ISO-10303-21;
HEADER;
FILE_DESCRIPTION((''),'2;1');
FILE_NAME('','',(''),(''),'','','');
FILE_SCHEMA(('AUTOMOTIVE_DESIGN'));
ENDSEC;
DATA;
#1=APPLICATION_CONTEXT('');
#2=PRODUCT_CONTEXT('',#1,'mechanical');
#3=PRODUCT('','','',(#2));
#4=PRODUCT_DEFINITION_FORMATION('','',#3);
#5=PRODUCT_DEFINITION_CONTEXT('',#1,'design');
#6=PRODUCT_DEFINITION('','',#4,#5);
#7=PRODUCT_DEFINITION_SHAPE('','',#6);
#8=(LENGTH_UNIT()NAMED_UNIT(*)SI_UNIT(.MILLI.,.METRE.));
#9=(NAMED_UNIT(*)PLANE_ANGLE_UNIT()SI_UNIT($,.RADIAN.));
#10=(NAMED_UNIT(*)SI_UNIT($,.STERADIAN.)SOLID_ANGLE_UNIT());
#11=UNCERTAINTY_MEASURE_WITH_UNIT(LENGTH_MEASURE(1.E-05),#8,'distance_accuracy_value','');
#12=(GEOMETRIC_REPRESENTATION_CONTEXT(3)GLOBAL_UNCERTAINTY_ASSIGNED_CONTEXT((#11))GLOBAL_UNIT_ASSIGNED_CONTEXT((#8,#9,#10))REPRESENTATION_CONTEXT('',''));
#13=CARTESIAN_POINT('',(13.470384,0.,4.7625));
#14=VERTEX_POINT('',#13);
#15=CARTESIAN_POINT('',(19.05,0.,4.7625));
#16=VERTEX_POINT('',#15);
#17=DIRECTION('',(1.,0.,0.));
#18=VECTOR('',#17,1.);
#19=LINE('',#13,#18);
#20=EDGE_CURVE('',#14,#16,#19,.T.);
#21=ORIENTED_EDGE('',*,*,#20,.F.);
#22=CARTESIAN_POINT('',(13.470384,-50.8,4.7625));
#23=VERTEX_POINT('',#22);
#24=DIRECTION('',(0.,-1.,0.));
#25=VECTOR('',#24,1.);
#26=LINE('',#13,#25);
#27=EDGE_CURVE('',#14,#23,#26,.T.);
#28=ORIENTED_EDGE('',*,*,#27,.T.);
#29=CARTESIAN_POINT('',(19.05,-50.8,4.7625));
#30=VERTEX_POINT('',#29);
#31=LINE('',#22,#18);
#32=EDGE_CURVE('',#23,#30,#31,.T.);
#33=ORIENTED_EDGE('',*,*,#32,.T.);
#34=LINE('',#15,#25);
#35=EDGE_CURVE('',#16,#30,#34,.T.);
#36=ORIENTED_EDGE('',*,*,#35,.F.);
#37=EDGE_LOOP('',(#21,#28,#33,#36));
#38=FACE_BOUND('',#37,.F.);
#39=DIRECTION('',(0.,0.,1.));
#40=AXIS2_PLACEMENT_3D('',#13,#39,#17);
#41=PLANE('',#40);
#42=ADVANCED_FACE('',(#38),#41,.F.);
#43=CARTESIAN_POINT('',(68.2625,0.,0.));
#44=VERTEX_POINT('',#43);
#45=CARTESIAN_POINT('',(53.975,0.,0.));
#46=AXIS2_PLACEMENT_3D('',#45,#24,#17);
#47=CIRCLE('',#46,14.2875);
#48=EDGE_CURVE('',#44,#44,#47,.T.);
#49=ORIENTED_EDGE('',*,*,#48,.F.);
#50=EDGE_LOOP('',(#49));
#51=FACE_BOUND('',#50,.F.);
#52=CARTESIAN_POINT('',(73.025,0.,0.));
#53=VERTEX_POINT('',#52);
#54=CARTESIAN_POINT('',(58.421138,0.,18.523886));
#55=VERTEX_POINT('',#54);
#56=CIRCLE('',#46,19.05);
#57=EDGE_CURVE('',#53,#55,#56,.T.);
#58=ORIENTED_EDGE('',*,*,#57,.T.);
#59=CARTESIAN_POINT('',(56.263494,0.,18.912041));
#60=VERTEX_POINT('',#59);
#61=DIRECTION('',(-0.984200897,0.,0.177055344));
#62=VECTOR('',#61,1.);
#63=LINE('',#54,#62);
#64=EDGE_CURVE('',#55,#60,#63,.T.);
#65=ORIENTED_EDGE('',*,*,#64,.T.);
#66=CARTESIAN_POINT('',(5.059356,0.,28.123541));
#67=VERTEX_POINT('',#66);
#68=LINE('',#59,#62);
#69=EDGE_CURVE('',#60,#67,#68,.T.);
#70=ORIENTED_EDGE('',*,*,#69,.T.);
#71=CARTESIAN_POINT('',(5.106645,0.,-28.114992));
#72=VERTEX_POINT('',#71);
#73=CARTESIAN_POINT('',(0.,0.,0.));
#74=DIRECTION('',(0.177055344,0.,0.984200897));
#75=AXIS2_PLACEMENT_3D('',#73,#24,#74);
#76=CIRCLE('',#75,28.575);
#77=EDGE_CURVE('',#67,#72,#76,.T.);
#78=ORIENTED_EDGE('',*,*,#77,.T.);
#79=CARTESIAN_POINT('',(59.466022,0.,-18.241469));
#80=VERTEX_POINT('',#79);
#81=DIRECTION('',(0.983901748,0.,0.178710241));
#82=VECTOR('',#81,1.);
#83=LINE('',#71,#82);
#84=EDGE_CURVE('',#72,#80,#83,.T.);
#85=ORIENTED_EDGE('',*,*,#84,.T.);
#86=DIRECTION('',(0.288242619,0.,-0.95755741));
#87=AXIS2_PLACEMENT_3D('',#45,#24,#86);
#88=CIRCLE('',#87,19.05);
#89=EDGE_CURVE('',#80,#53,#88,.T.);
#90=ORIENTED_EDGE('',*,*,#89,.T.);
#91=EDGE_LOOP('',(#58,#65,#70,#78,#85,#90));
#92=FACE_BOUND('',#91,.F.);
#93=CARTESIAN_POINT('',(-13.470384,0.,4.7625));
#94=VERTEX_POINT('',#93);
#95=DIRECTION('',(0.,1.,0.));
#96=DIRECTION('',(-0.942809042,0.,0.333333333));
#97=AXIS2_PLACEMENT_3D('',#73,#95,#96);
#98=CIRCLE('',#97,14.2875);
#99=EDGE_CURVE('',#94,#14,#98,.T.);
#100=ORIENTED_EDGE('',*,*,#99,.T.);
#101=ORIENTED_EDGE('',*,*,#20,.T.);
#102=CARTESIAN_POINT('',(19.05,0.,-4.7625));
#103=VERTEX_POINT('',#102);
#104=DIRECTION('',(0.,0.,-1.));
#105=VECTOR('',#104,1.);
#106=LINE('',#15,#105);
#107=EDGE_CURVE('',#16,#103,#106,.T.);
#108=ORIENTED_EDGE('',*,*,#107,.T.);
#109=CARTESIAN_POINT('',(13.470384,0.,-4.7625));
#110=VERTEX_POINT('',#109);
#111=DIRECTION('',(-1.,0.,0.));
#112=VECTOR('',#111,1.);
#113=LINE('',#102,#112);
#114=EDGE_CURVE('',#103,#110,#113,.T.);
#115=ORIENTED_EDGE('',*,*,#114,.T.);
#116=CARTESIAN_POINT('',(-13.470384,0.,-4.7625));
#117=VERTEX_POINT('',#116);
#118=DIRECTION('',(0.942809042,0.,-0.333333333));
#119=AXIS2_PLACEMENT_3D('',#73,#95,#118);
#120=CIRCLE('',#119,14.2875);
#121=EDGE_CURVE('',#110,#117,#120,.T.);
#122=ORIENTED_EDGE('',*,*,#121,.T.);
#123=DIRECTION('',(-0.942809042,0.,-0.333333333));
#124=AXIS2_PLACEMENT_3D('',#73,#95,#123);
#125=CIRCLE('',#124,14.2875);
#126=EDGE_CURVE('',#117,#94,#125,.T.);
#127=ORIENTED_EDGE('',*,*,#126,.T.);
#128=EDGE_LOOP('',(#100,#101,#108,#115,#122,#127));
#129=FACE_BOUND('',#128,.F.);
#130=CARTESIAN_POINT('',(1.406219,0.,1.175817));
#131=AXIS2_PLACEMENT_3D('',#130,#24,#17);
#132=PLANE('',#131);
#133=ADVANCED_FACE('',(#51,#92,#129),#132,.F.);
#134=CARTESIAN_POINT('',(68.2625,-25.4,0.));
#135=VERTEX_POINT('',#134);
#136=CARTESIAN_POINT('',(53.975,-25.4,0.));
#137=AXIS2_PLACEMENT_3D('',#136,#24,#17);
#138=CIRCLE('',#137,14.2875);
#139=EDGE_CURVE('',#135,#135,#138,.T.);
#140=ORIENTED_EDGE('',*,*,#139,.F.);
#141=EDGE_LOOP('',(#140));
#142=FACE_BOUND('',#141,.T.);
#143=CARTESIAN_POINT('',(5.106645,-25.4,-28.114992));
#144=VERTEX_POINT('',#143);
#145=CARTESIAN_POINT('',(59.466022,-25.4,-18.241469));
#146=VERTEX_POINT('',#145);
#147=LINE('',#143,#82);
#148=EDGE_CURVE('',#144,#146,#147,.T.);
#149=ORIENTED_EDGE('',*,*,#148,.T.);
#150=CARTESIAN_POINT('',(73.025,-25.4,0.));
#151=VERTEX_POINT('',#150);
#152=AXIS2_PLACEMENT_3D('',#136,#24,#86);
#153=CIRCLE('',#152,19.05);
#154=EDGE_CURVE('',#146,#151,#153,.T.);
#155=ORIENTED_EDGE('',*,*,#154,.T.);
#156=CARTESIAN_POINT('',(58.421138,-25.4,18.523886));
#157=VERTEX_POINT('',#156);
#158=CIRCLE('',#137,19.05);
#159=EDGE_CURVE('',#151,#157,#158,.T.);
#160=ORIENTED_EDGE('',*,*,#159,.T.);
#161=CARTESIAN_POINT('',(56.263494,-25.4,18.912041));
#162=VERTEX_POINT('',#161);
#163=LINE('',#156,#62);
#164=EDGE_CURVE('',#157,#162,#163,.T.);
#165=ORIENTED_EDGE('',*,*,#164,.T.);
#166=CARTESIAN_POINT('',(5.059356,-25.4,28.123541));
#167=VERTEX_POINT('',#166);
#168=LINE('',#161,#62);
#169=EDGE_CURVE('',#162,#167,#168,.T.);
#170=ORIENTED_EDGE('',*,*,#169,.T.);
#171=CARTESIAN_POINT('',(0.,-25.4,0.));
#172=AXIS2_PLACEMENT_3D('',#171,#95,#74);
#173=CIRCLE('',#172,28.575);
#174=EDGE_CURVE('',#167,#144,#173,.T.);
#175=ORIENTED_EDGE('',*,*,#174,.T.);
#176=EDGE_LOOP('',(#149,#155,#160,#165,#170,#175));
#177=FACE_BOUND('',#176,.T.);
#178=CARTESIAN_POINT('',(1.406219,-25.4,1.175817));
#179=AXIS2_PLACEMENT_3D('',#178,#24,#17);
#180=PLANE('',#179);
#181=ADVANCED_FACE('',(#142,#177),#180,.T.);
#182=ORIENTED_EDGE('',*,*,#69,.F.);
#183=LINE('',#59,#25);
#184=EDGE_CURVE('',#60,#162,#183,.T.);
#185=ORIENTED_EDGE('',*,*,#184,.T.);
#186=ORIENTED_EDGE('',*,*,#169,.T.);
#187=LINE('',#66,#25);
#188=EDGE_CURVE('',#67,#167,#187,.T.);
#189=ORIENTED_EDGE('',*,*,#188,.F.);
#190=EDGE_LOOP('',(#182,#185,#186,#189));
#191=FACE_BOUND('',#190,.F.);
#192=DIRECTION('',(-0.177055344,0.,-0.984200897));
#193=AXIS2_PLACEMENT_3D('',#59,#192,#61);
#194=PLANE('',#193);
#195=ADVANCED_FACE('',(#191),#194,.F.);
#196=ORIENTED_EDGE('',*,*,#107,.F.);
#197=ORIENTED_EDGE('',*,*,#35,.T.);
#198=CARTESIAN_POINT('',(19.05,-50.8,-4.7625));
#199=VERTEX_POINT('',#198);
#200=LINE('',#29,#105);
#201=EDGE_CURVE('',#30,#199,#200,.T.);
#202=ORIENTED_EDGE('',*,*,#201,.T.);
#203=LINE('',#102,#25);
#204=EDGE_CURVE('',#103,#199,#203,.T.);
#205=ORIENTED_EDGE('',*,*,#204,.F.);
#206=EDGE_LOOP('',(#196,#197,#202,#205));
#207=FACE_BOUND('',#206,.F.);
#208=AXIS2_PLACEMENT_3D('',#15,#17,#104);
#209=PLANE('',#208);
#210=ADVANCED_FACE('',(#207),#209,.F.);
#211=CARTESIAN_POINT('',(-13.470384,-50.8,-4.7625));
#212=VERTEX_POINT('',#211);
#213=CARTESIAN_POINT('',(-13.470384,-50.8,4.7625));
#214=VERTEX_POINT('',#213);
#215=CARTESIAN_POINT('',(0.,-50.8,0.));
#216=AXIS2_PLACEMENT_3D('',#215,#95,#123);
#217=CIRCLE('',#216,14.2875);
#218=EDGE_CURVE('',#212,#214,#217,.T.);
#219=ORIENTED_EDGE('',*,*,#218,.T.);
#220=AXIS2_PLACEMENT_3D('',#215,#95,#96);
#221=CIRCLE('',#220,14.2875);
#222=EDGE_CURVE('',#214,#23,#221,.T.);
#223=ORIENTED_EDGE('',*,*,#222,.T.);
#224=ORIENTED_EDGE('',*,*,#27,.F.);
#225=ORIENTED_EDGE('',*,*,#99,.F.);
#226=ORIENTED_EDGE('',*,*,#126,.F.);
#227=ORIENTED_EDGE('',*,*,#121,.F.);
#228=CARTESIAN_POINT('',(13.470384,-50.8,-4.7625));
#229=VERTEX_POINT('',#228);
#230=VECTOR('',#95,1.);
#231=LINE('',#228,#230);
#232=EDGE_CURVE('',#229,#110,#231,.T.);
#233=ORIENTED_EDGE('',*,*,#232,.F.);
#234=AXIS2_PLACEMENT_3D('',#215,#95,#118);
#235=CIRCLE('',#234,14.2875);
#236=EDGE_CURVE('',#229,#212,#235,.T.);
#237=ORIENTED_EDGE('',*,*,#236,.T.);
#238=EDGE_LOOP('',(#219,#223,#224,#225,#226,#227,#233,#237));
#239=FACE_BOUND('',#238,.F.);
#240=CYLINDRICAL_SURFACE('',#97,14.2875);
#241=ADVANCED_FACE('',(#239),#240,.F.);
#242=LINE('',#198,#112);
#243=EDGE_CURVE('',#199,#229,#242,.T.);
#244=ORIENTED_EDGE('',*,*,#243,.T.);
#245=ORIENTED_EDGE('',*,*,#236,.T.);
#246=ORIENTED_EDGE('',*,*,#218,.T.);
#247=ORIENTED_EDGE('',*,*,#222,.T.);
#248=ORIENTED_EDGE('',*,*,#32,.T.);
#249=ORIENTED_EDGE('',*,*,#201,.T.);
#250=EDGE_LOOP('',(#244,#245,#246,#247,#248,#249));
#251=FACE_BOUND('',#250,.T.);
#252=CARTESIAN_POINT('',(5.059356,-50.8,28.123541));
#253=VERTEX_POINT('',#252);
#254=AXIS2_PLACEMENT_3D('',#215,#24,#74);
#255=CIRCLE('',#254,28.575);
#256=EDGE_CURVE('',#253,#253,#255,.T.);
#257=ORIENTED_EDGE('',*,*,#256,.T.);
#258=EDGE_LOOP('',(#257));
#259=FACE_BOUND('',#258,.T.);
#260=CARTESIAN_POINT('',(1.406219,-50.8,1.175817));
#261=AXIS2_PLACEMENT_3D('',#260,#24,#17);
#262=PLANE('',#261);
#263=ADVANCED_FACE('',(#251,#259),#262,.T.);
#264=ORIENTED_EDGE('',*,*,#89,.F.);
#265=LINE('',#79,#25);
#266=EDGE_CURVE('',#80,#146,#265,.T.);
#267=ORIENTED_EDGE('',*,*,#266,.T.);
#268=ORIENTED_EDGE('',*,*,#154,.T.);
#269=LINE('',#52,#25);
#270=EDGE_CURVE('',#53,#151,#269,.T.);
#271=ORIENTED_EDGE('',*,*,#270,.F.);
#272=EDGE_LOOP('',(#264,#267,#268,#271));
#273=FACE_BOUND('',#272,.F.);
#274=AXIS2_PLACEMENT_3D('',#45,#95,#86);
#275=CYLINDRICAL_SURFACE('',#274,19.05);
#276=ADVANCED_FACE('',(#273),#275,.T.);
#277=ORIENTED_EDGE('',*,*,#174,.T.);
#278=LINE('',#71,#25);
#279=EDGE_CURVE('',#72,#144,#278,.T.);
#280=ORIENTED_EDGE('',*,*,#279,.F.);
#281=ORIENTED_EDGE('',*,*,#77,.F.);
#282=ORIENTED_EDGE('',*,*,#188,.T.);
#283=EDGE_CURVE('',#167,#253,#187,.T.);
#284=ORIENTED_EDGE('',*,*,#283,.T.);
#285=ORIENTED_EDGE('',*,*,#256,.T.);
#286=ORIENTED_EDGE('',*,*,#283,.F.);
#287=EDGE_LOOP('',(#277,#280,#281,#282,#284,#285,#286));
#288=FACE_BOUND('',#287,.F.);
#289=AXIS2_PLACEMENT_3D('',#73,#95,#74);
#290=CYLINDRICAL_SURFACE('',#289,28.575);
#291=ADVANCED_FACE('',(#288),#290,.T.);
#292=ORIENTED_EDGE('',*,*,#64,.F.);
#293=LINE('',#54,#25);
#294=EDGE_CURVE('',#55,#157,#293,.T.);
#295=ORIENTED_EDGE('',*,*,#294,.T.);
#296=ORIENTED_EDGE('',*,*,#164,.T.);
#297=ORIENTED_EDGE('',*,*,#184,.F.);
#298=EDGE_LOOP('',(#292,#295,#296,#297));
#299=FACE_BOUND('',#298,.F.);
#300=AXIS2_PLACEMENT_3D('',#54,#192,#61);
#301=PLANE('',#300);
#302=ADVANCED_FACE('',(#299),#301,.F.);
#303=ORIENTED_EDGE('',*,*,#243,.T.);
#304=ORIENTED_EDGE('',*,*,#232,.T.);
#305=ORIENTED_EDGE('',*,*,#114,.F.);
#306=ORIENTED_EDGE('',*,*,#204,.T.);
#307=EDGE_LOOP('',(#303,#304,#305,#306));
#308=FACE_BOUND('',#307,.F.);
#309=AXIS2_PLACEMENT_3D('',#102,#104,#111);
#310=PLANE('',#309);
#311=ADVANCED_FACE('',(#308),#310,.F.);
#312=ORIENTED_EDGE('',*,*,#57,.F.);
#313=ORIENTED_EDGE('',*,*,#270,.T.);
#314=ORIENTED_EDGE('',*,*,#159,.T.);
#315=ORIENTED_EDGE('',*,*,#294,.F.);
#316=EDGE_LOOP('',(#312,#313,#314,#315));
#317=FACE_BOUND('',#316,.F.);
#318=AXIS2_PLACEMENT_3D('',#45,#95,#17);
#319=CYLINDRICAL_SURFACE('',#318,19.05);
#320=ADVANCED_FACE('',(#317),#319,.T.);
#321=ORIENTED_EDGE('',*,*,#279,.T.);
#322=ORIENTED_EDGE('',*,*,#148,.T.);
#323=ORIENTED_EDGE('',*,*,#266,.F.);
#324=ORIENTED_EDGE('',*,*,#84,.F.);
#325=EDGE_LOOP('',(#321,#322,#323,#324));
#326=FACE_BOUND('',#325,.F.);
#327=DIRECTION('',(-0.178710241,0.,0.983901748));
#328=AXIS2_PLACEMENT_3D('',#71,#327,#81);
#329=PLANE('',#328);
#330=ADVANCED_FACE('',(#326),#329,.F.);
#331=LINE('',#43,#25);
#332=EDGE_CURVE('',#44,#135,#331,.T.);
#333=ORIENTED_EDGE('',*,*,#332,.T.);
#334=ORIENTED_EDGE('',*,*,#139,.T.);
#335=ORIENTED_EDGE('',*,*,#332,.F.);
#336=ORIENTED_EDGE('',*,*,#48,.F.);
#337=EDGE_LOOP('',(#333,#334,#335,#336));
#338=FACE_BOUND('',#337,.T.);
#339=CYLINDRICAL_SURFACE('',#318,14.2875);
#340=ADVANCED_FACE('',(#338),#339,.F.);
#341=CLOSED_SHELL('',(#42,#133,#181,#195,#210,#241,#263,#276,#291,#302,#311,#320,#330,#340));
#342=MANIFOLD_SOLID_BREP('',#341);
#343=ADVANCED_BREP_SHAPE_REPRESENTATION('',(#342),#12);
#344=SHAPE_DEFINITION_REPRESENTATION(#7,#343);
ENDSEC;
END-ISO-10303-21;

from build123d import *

# Parameters (mm, degrees)
F0_R     = 14.2875
F1_DEPTH = 25.4
F2_DEPTH = 50.8


with BuildPart() as f1:
    # F0 (on Front) → F1 (new body)
    with BuildSketch(Plane.XZ):
        with BuildLine():
            ThreePointArc((5.1066451383, -28.1149924494), (21.9368754592, -18.3113112607), (28.575, 0))
            ThreePointArc((28.575, 0), (21.9214704761, 18.3297506029), (5.059356454, 28.1235406247))
            ThreePointArc((5.059356454, 28.1235406247), (-28.5749898981, -0.0240275413), (5.1066451383, -28.1149924494))
        make_face()
        with BuildLine():
            ThreePointArc((-13.4703841816, 4.7625), (0, 14.2875), (13.4703841816, 4.7625))
            Line((13.4703841816, 4.7625), (19.05, 4.7625))
            Line((19.05, 4.7625), (19.05, -4.7625))
            Line((19.05, -4.7625), (13.4703841816, -4.7625))
            ThreePointArc((13.4703841816, -4.7625), (0, -14.2875), (-13.4703841816, -4.7625))
            Line((-13.4703841816, -4.7625), (-19.05, -4.7625))
            Line((-19.05, -4.7625), (-19.05, 4.7625))
            Line((-19.05, 4.7625), (-13.4703841816, 4.7625))
        make_face(mode=Mode.SUBTRACT)
        with BuildLine():
            ThreePointArc((5.059356454, 28.1235406247), (21.9214704761, 18.3297506029), (28.575, 0))
            ThreePointArc((28.575, 0), (21.9368754592, -18.3113112607), (5.1066451383, -28.1149924494))
            Line((5.1066451383, -28.1149924494), (55.2496314222, -19.0073095081))
            ThreePointArc((55.2496314222, -19.0073095081), (34.931805633, 0.5091643163), (56.2634938979, 18.9120410236))
            Line((56.2634938979, 18.9120410236), (5.059356454, 28.1235406247))
        make_face()
        with BuildLine():
            Line((58.4211381983, 18.5238860697), (56.2634938979, 18.9120410236))
            ThreePointArc((56.2634938979, 18.9120410236), (34.931805633, 0.5091643163), (55.2496314222, -19.0073095081))
            Line((55.2496314222, -19.0073095081), (59.4660218939, -18.2414686514))
            ThreePointArc((59.4660218939, -18.2414686514), (69.2639905991, -11.3643858814), (73.025, 0))
            ThreePointArc((73.025, 0), (68.9349704658, 11.7941419214), (58.4211381983, 18.5238860697))
        make_face()
        with Locations((53.975, 0)):
            Circle(F0_R, mode=Mode.SUBTRACT)
        with BuildLine():
            ThreePointArc((-13.4703841816, -4.7625), (-14.2875, 0), (-13.4703841816, 4.7625))
            Line((-13.4703841816, 4.7625), (-19.05, 4.7625))
            Line((-19.05, 4.7625), (-19.05, -4.7625))
            Line((-19.05, -4.7625), (-13.4703841816, -4.7625))
        make_face()
    extrude(amount=F1_DEPTH)

    # F0 (on Front) → F2 (join)
    with BuildSketch(Plane.XZ):
        with BuildLine():
            ThreePointArc((5.1066451383, -28.1149924494), (21.9368754592, -18.3113112607), (28.575, 0))
            ThreePointArc((28.575, 0), (21.9214704761, 18.3297506029), (5.059356454, 28.1235406247))
            ThreePointArc((5.059356454, 28.1235406247), (-28.5749898981, -0.0240275413), (5.1066451383, -28.1149924494))
        make_face()
        with BuildLine():
            ThreePointArc((-13.4703841816, 4.7625), (0, 14.2875), (13.4703841816, 4.7625))
            Line((13.4703841816, 4.7625), (19.05, 4.7625))
            Line((19.05, 4.7625), (19.05, -4.7625))
            Line((19.05, -4.7625), (13.4703841816, -4.7625))
            ThreePointArc((13.4703841816, -4.7625), (0, -14.2875), (-13.4703841816, -4.7625))
            Line((-13.4703841816, -4.7625), (-19.05, -4.7625))
            Line((-19.05, -4.7625), (-19.05, 4.7625))
            Line((-19.05, 4.7625), (-13.4703841816, 4.7625))
        make_face(mode=Mode.SUBTRACT)
        with BuildLine():
            ThreePointArc((-13.4703841816, -4.7625), (-14.2875, 0), (-13.4703841816, 4.7625))
            Line((-13.4703841816, 4.7625), (-19.05, 4.7625))
            Line((-19.05, 4.7625), (-19.05, -4.7625))
            Line((-19.05, -4.7625), (-13.4703841816, -4.7625))
        make_face()
    extrude(amount=F2_DEPTH)


solid = f1.part
